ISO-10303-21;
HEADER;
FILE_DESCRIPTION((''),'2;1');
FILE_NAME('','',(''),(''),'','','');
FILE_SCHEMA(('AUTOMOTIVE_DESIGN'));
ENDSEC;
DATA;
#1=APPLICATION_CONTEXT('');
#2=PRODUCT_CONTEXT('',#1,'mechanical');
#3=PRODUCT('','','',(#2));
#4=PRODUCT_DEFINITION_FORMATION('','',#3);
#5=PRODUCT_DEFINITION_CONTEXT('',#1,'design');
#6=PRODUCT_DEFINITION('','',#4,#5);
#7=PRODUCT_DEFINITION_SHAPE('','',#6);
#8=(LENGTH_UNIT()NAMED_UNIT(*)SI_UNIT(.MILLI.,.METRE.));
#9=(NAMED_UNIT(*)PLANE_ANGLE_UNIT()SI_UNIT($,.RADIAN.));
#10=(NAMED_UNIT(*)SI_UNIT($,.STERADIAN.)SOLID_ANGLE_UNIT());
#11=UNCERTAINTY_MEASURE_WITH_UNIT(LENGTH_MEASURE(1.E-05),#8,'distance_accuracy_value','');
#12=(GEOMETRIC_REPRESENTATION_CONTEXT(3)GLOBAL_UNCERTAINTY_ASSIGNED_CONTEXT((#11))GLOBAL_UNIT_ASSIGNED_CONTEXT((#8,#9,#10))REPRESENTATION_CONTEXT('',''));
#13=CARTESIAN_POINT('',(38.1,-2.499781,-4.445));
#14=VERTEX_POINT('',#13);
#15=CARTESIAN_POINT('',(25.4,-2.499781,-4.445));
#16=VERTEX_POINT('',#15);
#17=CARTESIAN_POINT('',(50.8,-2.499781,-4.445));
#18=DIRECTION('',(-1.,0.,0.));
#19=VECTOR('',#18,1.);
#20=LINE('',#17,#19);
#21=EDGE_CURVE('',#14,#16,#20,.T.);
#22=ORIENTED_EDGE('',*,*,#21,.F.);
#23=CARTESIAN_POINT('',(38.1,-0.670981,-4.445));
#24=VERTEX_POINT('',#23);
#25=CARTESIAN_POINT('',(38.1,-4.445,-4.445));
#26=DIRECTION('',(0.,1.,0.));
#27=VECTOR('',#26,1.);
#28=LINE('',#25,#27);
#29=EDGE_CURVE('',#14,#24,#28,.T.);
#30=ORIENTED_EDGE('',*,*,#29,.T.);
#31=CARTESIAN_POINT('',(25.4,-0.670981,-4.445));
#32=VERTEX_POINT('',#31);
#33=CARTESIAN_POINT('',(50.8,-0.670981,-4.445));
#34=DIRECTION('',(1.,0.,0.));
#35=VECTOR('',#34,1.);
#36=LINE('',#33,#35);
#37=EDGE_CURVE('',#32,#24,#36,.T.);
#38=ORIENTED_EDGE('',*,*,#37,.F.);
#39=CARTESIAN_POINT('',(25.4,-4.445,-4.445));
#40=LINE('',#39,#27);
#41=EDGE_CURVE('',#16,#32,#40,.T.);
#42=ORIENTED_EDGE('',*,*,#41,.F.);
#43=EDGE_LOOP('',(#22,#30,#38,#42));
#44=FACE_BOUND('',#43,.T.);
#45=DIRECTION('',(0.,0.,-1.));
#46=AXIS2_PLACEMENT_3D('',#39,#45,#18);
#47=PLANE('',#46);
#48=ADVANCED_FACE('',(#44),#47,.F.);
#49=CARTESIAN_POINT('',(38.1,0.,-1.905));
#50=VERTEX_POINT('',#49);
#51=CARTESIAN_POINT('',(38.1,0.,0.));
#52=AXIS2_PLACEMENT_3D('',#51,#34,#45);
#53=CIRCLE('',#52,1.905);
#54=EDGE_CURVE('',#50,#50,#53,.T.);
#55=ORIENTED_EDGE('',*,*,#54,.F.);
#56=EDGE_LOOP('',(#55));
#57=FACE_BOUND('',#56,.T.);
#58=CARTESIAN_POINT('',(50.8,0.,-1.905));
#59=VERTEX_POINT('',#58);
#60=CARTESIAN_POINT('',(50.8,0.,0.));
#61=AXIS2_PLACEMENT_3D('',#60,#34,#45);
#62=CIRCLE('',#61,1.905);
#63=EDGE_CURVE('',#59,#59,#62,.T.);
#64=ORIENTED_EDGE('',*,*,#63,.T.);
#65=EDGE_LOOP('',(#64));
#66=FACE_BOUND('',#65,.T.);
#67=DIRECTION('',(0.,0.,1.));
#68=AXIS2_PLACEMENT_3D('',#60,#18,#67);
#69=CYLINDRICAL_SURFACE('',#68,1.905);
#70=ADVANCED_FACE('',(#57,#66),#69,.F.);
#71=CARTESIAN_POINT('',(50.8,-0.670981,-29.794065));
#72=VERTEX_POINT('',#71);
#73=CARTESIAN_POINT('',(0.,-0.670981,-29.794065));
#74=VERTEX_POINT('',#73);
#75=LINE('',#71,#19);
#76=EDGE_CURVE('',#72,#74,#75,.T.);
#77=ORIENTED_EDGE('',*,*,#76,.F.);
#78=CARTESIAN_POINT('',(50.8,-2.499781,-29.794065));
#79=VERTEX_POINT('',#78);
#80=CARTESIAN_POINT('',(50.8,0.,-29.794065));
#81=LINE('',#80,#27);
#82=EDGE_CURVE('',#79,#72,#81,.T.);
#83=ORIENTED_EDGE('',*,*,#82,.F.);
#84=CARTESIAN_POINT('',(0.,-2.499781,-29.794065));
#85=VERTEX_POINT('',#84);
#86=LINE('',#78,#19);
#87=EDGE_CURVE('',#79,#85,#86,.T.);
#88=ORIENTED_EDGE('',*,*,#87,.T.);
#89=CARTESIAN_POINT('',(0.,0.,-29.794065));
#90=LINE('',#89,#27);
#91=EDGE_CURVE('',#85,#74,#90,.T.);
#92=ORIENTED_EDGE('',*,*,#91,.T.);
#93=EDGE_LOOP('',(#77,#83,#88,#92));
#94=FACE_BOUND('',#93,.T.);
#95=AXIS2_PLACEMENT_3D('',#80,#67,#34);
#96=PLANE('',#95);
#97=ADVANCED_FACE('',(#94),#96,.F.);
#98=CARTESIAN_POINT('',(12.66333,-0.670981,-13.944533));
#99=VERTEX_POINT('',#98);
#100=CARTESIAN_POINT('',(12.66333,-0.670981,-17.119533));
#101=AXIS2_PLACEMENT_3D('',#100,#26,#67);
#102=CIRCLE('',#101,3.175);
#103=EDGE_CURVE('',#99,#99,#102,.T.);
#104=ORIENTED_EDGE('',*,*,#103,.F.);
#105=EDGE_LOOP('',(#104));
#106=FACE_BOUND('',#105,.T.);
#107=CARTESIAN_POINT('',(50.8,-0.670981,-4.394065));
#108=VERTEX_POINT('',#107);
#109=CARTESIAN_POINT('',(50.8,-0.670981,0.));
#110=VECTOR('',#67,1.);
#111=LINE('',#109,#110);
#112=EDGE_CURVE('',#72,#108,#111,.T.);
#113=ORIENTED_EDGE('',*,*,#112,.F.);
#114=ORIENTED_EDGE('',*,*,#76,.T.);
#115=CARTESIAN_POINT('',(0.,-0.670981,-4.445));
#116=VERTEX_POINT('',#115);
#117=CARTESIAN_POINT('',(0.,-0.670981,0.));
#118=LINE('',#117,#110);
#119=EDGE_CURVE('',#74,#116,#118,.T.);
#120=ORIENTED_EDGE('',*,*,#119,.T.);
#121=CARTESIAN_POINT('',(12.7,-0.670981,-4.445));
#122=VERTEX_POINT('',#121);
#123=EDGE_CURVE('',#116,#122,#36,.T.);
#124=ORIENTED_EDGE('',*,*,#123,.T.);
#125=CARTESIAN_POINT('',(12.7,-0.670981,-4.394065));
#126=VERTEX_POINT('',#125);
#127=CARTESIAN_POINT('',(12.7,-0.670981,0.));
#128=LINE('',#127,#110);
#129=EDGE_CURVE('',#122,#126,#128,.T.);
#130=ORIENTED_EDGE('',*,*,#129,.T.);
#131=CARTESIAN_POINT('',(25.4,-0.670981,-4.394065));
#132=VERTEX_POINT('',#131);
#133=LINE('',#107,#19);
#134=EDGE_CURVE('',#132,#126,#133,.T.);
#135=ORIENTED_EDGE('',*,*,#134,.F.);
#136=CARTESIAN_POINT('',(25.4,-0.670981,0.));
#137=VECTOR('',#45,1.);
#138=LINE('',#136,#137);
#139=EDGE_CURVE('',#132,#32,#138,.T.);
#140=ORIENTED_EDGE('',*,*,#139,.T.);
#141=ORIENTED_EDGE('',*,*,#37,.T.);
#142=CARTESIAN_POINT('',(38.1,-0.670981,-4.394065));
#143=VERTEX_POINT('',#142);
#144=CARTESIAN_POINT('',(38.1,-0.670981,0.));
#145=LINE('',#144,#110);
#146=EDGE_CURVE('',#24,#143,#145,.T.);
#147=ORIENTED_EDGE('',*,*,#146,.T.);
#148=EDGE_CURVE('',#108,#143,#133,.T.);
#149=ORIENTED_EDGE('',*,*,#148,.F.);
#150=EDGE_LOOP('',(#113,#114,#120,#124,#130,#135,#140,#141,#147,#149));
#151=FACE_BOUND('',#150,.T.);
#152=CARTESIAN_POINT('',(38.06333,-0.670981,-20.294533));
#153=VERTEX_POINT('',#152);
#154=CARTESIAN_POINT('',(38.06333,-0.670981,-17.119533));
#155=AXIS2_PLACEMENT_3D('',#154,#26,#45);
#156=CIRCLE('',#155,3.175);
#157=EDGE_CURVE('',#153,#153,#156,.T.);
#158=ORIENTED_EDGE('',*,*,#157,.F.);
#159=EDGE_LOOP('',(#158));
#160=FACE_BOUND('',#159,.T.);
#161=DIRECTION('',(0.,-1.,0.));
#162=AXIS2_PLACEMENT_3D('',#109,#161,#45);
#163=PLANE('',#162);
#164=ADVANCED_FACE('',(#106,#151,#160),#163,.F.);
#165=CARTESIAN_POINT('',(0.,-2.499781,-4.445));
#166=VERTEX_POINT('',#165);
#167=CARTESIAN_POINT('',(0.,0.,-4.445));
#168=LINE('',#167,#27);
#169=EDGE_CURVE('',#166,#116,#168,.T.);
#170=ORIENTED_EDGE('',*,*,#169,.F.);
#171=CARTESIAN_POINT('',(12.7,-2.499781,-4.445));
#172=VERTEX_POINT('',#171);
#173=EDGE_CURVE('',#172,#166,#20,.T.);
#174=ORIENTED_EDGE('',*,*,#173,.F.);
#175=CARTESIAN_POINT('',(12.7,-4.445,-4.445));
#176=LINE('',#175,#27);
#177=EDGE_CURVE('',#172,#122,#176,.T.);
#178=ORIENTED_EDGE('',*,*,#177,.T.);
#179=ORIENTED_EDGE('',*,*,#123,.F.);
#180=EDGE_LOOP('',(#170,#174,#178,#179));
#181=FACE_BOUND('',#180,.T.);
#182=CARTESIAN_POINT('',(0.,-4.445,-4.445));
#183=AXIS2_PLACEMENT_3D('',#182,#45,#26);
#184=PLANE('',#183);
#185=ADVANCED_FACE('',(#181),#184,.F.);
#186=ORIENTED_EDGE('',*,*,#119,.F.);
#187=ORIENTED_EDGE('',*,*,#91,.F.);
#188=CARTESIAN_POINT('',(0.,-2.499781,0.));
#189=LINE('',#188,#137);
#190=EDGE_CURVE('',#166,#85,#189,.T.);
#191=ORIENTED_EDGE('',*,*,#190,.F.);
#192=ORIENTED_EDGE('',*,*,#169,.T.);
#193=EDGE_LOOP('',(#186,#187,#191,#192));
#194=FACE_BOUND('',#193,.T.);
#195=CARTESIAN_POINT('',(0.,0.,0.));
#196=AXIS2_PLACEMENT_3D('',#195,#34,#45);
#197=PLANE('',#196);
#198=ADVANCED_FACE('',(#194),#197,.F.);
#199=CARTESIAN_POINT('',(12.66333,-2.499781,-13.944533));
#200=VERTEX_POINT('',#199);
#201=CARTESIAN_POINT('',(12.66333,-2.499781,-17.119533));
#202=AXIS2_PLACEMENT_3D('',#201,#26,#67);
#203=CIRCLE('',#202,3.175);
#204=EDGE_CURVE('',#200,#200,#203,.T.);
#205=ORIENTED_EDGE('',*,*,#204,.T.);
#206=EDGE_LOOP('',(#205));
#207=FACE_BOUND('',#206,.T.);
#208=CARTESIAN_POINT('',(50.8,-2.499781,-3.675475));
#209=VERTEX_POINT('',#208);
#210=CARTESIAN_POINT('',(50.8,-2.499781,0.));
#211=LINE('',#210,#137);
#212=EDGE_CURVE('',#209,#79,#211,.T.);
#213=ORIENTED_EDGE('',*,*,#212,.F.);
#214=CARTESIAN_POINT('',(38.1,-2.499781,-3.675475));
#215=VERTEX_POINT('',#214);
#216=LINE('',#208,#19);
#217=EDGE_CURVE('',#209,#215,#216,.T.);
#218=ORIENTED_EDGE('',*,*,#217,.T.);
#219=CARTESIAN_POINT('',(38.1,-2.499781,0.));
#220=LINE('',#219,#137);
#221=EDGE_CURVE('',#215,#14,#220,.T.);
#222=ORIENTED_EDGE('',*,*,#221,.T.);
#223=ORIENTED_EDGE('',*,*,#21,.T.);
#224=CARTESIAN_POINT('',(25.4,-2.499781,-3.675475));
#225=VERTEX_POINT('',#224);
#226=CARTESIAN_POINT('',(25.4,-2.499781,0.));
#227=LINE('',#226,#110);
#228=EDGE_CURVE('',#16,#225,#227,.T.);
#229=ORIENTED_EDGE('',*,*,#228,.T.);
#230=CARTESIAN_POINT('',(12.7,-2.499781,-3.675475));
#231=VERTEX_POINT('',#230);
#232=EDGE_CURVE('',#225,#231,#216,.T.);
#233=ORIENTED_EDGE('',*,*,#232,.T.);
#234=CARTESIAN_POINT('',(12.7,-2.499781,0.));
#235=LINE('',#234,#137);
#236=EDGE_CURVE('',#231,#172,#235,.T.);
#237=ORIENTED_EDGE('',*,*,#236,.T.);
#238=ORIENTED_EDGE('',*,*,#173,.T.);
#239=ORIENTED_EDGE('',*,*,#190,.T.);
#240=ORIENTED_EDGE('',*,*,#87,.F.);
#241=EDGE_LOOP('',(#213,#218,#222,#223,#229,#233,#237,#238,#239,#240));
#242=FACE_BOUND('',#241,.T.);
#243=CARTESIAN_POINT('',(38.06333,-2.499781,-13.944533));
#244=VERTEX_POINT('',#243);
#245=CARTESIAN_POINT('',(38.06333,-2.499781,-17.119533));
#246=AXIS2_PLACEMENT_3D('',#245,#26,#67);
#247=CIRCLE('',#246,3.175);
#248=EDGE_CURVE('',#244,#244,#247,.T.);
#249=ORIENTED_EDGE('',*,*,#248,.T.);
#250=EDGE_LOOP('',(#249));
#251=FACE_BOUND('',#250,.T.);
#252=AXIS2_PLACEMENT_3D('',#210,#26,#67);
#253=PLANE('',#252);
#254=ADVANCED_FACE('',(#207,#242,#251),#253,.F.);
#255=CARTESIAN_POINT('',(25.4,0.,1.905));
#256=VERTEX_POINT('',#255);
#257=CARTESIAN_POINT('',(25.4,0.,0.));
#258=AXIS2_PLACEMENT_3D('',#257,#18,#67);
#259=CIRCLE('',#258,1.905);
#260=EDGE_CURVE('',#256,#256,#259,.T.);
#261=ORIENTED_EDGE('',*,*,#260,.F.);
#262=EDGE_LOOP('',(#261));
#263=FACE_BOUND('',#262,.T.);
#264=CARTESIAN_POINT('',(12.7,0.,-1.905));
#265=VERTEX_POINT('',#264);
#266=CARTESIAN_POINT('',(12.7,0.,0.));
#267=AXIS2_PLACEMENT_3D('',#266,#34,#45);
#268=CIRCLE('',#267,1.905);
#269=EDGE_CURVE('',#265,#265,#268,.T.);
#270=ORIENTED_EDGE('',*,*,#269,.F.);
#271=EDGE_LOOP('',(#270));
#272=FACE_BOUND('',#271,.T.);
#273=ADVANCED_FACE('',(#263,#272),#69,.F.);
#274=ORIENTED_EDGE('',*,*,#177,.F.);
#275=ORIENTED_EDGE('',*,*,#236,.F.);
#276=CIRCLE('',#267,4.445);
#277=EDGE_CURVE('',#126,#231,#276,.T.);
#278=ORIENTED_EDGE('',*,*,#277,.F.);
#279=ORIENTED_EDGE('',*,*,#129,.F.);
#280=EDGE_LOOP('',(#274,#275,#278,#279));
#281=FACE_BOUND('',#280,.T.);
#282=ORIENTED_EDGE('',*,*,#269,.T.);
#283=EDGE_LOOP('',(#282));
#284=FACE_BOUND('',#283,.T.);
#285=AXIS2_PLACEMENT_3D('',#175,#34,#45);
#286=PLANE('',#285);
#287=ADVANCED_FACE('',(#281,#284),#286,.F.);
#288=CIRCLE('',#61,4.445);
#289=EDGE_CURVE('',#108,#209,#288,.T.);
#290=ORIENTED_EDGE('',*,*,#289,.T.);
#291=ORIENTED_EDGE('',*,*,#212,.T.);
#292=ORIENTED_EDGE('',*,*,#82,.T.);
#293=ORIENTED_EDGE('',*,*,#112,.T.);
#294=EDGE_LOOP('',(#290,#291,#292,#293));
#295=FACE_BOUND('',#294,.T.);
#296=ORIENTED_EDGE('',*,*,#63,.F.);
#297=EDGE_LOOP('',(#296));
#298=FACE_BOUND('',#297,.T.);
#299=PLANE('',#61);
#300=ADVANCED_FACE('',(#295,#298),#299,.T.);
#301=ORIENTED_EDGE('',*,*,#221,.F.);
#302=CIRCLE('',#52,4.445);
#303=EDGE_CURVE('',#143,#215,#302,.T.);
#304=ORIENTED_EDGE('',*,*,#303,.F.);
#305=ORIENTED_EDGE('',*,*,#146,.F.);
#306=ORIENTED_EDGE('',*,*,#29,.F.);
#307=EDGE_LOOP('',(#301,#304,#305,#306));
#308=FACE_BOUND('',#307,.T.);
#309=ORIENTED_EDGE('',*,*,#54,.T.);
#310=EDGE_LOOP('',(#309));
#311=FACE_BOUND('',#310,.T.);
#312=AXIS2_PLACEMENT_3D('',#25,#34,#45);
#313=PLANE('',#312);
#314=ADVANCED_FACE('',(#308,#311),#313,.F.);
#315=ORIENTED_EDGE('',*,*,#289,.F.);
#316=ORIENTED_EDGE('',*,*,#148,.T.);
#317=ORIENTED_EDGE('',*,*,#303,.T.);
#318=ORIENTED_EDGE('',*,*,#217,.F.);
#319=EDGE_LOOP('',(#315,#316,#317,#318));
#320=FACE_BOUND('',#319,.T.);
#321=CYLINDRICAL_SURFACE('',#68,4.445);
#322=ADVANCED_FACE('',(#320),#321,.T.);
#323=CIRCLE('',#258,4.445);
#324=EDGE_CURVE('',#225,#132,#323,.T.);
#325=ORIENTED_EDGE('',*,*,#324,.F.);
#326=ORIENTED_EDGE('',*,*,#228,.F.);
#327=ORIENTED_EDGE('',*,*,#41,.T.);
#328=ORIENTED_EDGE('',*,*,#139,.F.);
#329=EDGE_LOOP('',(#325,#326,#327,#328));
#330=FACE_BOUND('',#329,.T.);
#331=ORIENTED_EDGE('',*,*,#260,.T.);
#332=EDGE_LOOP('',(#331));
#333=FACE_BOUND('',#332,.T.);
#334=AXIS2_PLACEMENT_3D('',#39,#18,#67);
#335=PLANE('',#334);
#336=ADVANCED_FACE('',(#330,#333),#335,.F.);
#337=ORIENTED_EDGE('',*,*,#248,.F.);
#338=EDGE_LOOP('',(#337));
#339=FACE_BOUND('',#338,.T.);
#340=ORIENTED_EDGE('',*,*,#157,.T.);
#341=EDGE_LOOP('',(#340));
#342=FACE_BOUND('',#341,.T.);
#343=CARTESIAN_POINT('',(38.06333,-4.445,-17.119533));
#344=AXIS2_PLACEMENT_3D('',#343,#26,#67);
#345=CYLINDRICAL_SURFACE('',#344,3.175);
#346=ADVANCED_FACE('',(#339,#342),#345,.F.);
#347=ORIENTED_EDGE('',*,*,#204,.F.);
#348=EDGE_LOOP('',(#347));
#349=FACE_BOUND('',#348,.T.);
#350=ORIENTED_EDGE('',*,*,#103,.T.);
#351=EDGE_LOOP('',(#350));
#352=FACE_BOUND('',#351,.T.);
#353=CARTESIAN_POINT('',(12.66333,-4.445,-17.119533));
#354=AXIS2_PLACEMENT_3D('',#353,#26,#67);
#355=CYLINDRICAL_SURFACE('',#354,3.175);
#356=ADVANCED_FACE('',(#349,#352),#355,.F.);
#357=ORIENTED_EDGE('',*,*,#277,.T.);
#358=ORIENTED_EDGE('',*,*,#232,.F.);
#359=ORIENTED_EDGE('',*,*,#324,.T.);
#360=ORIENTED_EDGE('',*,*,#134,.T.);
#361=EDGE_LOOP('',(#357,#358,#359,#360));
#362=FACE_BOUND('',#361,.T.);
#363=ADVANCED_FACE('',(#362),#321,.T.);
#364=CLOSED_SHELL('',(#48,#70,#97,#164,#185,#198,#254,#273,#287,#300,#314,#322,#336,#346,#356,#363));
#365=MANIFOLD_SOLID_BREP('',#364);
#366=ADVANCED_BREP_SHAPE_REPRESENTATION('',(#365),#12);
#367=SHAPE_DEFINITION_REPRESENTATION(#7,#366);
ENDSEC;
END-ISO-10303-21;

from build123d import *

# Parameters (mm, degrees)
SKETCH4_R           = 1.905
BOSS_EXTRUDE2_DEPTH = 50.8
SKETCH5_W           = 12.7
SKETCH5_H           = 8.89
CUT_EXTRUDE2_DEPTH  = 62.885856388
SKETCH6_R           = 3.175
CUT_EXTRUDE3_DEPTH  = 60.114292576


with BuildPart() as part:
    # Sketch4 → Boss-Extrude2 (new body)
    with BuildSketch(Plane(origin=(0, 0, 0), x_dir=(0, 0, -1), z_dir=(1, 0, 0))):
        with BuildLine():
            Line((29.794065187, -0.670981472), (4.394065187, -0.670981472))
            ThreePointArc((4.394065187, -0.670981472), (-4.137088067, 1.625585225), (3.675475152, -2.499781472))
            Line((3.675475152, -2.499781472), (29.794065187, -2.499781472))
            Line((29.794065187, -2.499781472), (29.794065187, -0.670981472))
        make_face()
        Circle(SKETCH4_R, mode=Mode.SUBTRACT)
    extrude(amount=BOSS_EXTRUDE2_DEPTH)

    # Sketch5 → Cut-Extrude2 (cut, through all)
    with BuildSketch(Plane(origin=(0, 14.569018528, 0), x_dir=(1, 0, 0), z_dir=(0, 1, 0))):
        with Locations((6.35, 0)):
            Rectangle(SKETCH5_W, SKETCH5_H)
        with Locations((31.75, 0)):
            Rectangle(SKETCH5_W, SKETCH5_H)
    extrude(amount=-CUT_EXTRUDE2_DEPTH, mode=Mode.SUBTRACT)

    # Sketch6 → Cut-Extrude3 (cut, through all)
    with BuildSketch(Plane(origin=(0, -0.670981472, 0), x_dir=(1, 0, 0), z_dir=(0, 1, 0))):
        with Locations(Location((12.663329801, 17.119532593, 0), (0, 0, 270))):
            Circle(SKETCH6_R)
        with Locations(Location((38.063329801, 17.119532593, 0), (0, 0, 270))):
            Circle(SKETCH6_R)
    extrude(amount=-CUT_EXTRUDE3_DEPTH, mode=Mode.SUBTRACT)


solid = part.part
